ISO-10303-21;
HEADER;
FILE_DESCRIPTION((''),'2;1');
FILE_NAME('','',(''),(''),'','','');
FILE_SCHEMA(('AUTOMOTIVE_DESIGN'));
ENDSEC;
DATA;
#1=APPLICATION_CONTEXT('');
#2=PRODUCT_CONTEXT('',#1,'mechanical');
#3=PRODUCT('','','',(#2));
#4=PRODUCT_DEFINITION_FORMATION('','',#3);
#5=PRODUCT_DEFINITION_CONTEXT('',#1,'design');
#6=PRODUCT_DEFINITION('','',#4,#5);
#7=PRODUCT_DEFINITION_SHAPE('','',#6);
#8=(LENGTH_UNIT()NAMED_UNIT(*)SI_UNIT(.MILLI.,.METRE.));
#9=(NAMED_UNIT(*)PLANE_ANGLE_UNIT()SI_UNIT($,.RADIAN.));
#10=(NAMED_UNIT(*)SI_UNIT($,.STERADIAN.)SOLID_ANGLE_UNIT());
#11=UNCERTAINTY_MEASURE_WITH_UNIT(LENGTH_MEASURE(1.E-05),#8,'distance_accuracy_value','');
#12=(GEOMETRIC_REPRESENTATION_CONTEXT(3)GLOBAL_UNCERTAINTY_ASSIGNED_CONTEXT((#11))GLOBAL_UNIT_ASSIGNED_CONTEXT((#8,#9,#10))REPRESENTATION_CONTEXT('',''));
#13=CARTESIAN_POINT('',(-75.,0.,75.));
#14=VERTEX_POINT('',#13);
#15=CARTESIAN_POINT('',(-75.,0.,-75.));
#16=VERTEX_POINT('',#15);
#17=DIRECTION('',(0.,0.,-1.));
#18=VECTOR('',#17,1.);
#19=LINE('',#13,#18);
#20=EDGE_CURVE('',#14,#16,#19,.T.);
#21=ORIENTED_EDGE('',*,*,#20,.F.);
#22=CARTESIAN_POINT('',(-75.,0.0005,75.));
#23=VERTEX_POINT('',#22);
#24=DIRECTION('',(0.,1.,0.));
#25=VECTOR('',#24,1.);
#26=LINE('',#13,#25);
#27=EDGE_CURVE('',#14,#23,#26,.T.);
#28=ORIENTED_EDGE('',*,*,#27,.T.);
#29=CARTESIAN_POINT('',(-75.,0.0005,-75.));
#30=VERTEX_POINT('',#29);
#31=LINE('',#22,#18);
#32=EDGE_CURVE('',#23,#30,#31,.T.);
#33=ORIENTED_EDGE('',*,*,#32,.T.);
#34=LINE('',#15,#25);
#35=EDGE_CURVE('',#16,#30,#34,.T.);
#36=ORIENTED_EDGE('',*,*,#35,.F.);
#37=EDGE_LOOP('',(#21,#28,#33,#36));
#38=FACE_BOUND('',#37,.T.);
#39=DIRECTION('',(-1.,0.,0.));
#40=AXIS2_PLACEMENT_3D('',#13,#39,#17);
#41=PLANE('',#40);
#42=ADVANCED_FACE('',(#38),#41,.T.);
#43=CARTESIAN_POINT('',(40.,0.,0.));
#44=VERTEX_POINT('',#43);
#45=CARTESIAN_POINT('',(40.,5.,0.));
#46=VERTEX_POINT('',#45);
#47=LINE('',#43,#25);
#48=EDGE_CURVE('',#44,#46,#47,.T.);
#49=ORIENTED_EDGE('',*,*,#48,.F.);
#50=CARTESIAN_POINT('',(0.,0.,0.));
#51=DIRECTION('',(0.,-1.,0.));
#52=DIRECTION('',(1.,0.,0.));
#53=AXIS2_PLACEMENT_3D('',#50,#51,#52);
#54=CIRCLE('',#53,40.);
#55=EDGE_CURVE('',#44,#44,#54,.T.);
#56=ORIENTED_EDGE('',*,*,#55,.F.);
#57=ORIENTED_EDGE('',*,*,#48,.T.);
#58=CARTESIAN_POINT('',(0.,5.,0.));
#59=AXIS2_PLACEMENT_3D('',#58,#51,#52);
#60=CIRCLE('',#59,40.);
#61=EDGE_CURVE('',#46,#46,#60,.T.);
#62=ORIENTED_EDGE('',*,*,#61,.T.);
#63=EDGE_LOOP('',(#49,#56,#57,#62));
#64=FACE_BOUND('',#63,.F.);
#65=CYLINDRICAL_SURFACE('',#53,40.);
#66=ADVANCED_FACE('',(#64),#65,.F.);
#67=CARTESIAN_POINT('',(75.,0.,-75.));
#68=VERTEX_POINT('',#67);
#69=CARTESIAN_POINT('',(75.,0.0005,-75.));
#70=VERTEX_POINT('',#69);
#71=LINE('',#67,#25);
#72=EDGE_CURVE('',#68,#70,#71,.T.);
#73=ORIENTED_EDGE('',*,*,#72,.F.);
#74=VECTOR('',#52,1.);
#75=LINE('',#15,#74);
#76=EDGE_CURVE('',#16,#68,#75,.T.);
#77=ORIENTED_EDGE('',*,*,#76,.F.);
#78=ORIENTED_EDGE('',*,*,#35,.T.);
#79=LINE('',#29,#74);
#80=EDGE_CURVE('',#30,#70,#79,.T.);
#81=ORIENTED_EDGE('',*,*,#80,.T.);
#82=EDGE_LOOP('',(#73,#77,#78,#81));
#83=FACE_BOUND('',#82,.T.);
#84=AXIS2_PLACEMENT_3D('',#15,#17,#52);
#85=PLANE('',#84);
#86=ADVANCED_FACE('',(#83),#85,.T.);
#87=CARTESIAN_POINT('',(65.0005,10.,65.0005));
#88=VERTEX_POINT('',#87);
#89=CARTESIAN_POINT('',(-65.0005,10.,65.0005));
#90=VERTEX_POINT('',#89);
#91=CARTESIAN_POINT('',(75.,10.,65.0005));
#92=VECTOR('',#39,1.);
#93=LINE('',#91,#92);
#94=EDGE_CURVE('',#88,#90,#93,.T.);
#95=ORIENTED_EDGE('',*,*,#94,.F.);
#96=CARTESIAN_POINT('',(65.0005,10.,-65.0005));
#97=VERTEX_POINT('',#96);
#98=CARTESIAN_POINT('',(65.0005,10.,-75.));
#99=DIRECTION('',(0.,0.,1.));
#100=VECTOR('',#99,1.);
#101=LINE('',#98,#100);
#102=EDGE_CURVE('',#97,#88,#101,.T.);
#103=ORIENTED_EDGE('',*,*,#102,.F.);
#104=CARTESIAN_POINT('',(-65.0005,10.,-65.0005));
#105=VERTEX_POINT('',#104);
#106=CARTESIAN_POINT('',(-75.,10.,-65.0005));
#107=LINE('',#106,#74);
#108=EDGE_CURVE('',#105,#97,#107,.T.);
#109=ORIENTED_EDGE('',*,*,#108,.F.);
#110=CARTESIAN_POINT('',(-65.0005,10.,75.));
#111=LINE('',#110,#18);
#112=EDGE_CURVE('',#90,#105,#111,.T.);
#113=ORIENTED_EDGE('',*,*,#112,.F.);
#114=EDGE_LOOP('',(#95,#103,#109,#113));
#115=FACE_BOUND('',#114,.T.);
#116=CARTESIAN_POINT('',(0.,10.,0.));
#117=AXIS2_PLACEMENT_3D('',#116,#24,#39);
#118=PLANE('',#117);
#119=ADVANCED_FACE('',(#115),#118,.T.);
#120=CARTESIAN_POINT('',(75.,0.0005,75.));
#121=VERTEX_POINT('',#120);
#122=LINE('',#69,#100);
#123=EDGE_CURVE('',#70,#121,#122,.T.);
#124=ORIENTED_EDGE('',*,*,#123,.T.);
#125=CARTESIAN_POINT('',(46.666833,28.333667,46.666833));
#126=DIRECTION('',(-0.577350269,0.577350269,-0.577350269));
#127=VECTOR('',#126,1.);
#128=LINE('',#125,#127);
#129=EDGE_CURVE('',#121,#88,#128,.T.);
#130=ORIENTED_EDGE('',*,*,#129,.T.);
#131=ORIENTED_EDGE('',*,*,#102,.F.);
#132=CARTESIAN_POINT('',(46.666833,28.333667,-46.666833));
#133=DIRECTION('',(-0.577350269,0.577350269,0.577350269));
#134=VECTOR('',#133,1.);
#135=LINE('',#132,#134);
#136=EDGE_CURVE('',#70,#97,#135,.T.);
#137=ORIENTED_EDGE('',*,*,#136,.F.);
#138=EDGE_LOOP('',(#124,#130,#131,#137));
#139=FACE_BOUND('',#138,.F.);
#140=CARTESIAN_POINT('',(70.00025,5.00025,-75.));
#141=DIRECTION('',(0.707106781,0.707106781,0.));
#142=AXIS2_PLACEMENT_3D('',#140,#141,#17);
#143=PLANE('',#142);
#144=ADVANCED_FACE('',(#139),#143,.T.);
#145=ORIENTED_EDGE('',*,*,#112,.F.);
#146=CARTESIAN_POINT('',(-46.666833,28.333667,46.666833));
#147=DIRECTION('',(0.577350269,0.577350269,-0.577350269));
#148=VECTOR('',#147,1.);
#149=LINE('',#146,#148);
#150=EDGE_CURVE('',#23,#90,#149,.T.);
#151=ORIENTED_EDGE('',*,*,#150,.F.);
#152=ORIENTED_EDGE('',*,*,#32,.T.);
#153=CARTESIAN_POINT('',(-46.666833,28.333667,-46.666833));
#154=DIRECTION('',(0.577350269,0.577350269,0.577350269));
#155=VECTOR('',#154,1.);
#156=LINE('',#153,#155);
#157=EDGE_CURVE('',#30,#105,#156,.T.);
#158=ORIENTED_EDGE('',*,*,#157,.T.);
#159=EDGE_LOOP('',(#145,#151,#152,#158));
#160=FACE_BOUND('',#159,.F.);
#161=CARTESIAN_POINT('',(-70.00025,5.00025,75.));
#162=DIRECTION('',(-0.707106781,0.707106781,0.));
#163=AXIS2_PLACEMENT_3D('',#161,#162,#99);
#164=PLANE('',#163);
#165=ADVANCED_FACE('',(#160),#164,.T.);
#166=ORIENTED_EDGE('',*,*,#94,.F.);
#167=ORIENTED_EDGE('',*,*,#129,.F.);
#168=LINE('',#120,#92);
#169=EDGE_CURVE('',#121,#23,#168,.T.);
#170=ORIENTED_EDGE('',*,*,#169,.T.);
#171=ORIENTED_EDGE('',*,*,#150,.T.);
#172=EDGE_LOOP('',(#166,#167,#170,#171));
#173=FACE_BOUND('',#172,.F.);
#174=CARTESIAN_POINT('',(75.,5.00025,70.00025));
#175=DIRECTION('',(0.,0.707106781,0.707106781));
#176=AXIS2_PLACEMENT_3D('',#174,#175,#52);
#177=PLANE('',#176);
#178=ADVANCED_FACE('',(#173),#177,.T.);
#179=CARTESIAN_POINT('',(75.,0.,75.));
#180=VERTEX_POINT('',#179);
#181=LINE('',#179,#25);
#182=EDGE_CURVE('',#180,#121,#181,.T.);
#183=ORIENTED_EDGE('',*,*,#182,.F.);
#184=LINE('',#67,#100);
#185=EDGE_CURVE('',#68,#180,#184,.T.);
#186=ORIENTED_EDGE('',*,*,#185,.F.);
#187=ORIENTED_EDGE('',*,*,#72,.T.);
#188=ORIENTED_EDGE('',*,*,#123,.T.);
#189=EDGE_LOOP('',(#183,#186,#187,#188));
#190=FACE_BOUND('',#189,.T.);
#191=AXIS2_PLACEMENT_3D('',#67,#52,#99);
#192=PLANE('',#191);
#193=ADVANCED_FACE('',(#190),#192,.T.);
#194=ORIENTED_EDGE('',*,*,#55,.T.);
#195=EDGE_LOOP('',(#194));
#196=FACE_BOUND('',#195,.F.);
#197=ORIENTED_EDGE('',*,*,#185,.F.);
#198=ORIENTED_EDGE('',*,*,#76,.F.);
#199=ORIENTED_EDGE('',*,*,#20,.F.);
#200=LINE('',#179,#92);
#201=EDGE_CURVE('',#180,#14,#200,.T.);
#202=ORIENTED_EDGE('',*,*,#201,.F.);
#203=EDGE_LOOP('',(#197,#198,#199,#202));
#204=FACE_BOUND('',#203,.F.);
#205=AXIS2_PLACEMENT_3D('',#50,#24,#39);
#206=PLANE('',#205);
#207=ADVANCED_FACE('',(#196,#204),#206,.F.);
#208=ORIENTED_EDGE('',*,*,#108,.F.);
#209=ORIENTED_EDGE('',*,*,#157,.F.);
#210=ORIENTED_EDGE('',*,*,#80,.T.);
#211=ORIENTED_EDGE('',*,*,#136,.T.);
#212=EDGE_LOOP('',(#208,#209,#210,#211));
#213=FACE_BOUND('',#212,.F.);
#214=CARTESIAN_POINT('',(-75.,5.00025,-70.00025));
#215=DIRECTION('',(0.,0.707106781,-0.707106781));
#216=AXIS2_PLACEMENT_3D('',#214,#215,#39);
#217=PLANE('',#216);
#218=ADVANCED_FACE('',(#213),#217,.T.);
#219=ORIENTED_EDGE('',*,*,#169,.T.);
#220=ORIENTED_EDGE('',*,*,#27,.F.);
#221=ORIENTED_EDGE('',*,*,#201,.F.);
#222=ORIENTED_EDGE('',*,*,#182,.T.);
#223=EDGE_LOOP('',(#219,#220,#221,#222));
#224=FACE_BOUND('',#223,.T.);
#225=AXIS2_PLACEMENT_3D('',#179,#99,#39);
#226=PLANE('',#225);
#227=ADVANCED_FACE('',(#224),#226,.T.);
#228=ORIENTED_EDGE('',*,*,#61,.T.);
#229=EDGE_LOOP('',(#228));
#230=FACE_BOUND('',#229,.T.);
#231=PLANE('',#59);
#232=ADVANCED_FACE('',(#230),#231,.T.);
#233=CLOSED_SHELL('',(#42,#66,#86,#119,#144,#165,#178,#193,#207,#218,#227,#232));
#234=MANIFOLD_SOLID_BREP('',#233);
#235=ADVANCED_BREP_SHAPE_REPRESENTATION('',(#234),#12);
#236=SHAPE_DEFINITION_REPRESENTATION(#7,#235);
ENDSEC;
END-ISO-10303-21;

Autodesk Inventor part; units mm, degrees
ref_plane "YZ Plane" through (0, 0, 0) normal (1, 0, 0) x (0, 1, 0)
ref_plane "XZ Plane" through (0, 0, 0) normal (0, 1, 0) x (-1, 0, 0)
ref_plane "XY Plane" through (0, 0, 0) normal (0, 0, 1) x (1, 0, 0)
sketch "Sketch1" plane through (0, 0, 0) normal (0, 1, 0) x (-1, 0, 0)
  line L0 (75, -75) -> (-75, -75)
  line L1 (-75, -75) -> (-75, 75)
  line L2 (-75, 75) -> (75, 75)
  line L3 (75, 75) -> (75, -75)
  line L4 (75, -75) -> (-75, 75) construction
  line L5 (-75, -75) -> (75, 75) construction
  point P0 (0, 0)
  dimension "d0" = 150
  dimension "d1" = 150
extrude "Extrusion1" add sketch "Sketch1" along normal blind 10
chamfer "Chamfer1" distance 10 angle 45 4 edges at (0, 10, 75) (-75, 10, 0) (0, 10, -75) (75, 10, 0)
sketch "Sketch2" plane through (0, 0, 0) normal (0, -1, 0) x (1, 0, 0)
  circle A0 centre (0, 0) radius 40
  dimension "d7" = 80
extrude "Extrusion2" cut sketch "Sketch2" against normal blind 5
properties part number "side"
